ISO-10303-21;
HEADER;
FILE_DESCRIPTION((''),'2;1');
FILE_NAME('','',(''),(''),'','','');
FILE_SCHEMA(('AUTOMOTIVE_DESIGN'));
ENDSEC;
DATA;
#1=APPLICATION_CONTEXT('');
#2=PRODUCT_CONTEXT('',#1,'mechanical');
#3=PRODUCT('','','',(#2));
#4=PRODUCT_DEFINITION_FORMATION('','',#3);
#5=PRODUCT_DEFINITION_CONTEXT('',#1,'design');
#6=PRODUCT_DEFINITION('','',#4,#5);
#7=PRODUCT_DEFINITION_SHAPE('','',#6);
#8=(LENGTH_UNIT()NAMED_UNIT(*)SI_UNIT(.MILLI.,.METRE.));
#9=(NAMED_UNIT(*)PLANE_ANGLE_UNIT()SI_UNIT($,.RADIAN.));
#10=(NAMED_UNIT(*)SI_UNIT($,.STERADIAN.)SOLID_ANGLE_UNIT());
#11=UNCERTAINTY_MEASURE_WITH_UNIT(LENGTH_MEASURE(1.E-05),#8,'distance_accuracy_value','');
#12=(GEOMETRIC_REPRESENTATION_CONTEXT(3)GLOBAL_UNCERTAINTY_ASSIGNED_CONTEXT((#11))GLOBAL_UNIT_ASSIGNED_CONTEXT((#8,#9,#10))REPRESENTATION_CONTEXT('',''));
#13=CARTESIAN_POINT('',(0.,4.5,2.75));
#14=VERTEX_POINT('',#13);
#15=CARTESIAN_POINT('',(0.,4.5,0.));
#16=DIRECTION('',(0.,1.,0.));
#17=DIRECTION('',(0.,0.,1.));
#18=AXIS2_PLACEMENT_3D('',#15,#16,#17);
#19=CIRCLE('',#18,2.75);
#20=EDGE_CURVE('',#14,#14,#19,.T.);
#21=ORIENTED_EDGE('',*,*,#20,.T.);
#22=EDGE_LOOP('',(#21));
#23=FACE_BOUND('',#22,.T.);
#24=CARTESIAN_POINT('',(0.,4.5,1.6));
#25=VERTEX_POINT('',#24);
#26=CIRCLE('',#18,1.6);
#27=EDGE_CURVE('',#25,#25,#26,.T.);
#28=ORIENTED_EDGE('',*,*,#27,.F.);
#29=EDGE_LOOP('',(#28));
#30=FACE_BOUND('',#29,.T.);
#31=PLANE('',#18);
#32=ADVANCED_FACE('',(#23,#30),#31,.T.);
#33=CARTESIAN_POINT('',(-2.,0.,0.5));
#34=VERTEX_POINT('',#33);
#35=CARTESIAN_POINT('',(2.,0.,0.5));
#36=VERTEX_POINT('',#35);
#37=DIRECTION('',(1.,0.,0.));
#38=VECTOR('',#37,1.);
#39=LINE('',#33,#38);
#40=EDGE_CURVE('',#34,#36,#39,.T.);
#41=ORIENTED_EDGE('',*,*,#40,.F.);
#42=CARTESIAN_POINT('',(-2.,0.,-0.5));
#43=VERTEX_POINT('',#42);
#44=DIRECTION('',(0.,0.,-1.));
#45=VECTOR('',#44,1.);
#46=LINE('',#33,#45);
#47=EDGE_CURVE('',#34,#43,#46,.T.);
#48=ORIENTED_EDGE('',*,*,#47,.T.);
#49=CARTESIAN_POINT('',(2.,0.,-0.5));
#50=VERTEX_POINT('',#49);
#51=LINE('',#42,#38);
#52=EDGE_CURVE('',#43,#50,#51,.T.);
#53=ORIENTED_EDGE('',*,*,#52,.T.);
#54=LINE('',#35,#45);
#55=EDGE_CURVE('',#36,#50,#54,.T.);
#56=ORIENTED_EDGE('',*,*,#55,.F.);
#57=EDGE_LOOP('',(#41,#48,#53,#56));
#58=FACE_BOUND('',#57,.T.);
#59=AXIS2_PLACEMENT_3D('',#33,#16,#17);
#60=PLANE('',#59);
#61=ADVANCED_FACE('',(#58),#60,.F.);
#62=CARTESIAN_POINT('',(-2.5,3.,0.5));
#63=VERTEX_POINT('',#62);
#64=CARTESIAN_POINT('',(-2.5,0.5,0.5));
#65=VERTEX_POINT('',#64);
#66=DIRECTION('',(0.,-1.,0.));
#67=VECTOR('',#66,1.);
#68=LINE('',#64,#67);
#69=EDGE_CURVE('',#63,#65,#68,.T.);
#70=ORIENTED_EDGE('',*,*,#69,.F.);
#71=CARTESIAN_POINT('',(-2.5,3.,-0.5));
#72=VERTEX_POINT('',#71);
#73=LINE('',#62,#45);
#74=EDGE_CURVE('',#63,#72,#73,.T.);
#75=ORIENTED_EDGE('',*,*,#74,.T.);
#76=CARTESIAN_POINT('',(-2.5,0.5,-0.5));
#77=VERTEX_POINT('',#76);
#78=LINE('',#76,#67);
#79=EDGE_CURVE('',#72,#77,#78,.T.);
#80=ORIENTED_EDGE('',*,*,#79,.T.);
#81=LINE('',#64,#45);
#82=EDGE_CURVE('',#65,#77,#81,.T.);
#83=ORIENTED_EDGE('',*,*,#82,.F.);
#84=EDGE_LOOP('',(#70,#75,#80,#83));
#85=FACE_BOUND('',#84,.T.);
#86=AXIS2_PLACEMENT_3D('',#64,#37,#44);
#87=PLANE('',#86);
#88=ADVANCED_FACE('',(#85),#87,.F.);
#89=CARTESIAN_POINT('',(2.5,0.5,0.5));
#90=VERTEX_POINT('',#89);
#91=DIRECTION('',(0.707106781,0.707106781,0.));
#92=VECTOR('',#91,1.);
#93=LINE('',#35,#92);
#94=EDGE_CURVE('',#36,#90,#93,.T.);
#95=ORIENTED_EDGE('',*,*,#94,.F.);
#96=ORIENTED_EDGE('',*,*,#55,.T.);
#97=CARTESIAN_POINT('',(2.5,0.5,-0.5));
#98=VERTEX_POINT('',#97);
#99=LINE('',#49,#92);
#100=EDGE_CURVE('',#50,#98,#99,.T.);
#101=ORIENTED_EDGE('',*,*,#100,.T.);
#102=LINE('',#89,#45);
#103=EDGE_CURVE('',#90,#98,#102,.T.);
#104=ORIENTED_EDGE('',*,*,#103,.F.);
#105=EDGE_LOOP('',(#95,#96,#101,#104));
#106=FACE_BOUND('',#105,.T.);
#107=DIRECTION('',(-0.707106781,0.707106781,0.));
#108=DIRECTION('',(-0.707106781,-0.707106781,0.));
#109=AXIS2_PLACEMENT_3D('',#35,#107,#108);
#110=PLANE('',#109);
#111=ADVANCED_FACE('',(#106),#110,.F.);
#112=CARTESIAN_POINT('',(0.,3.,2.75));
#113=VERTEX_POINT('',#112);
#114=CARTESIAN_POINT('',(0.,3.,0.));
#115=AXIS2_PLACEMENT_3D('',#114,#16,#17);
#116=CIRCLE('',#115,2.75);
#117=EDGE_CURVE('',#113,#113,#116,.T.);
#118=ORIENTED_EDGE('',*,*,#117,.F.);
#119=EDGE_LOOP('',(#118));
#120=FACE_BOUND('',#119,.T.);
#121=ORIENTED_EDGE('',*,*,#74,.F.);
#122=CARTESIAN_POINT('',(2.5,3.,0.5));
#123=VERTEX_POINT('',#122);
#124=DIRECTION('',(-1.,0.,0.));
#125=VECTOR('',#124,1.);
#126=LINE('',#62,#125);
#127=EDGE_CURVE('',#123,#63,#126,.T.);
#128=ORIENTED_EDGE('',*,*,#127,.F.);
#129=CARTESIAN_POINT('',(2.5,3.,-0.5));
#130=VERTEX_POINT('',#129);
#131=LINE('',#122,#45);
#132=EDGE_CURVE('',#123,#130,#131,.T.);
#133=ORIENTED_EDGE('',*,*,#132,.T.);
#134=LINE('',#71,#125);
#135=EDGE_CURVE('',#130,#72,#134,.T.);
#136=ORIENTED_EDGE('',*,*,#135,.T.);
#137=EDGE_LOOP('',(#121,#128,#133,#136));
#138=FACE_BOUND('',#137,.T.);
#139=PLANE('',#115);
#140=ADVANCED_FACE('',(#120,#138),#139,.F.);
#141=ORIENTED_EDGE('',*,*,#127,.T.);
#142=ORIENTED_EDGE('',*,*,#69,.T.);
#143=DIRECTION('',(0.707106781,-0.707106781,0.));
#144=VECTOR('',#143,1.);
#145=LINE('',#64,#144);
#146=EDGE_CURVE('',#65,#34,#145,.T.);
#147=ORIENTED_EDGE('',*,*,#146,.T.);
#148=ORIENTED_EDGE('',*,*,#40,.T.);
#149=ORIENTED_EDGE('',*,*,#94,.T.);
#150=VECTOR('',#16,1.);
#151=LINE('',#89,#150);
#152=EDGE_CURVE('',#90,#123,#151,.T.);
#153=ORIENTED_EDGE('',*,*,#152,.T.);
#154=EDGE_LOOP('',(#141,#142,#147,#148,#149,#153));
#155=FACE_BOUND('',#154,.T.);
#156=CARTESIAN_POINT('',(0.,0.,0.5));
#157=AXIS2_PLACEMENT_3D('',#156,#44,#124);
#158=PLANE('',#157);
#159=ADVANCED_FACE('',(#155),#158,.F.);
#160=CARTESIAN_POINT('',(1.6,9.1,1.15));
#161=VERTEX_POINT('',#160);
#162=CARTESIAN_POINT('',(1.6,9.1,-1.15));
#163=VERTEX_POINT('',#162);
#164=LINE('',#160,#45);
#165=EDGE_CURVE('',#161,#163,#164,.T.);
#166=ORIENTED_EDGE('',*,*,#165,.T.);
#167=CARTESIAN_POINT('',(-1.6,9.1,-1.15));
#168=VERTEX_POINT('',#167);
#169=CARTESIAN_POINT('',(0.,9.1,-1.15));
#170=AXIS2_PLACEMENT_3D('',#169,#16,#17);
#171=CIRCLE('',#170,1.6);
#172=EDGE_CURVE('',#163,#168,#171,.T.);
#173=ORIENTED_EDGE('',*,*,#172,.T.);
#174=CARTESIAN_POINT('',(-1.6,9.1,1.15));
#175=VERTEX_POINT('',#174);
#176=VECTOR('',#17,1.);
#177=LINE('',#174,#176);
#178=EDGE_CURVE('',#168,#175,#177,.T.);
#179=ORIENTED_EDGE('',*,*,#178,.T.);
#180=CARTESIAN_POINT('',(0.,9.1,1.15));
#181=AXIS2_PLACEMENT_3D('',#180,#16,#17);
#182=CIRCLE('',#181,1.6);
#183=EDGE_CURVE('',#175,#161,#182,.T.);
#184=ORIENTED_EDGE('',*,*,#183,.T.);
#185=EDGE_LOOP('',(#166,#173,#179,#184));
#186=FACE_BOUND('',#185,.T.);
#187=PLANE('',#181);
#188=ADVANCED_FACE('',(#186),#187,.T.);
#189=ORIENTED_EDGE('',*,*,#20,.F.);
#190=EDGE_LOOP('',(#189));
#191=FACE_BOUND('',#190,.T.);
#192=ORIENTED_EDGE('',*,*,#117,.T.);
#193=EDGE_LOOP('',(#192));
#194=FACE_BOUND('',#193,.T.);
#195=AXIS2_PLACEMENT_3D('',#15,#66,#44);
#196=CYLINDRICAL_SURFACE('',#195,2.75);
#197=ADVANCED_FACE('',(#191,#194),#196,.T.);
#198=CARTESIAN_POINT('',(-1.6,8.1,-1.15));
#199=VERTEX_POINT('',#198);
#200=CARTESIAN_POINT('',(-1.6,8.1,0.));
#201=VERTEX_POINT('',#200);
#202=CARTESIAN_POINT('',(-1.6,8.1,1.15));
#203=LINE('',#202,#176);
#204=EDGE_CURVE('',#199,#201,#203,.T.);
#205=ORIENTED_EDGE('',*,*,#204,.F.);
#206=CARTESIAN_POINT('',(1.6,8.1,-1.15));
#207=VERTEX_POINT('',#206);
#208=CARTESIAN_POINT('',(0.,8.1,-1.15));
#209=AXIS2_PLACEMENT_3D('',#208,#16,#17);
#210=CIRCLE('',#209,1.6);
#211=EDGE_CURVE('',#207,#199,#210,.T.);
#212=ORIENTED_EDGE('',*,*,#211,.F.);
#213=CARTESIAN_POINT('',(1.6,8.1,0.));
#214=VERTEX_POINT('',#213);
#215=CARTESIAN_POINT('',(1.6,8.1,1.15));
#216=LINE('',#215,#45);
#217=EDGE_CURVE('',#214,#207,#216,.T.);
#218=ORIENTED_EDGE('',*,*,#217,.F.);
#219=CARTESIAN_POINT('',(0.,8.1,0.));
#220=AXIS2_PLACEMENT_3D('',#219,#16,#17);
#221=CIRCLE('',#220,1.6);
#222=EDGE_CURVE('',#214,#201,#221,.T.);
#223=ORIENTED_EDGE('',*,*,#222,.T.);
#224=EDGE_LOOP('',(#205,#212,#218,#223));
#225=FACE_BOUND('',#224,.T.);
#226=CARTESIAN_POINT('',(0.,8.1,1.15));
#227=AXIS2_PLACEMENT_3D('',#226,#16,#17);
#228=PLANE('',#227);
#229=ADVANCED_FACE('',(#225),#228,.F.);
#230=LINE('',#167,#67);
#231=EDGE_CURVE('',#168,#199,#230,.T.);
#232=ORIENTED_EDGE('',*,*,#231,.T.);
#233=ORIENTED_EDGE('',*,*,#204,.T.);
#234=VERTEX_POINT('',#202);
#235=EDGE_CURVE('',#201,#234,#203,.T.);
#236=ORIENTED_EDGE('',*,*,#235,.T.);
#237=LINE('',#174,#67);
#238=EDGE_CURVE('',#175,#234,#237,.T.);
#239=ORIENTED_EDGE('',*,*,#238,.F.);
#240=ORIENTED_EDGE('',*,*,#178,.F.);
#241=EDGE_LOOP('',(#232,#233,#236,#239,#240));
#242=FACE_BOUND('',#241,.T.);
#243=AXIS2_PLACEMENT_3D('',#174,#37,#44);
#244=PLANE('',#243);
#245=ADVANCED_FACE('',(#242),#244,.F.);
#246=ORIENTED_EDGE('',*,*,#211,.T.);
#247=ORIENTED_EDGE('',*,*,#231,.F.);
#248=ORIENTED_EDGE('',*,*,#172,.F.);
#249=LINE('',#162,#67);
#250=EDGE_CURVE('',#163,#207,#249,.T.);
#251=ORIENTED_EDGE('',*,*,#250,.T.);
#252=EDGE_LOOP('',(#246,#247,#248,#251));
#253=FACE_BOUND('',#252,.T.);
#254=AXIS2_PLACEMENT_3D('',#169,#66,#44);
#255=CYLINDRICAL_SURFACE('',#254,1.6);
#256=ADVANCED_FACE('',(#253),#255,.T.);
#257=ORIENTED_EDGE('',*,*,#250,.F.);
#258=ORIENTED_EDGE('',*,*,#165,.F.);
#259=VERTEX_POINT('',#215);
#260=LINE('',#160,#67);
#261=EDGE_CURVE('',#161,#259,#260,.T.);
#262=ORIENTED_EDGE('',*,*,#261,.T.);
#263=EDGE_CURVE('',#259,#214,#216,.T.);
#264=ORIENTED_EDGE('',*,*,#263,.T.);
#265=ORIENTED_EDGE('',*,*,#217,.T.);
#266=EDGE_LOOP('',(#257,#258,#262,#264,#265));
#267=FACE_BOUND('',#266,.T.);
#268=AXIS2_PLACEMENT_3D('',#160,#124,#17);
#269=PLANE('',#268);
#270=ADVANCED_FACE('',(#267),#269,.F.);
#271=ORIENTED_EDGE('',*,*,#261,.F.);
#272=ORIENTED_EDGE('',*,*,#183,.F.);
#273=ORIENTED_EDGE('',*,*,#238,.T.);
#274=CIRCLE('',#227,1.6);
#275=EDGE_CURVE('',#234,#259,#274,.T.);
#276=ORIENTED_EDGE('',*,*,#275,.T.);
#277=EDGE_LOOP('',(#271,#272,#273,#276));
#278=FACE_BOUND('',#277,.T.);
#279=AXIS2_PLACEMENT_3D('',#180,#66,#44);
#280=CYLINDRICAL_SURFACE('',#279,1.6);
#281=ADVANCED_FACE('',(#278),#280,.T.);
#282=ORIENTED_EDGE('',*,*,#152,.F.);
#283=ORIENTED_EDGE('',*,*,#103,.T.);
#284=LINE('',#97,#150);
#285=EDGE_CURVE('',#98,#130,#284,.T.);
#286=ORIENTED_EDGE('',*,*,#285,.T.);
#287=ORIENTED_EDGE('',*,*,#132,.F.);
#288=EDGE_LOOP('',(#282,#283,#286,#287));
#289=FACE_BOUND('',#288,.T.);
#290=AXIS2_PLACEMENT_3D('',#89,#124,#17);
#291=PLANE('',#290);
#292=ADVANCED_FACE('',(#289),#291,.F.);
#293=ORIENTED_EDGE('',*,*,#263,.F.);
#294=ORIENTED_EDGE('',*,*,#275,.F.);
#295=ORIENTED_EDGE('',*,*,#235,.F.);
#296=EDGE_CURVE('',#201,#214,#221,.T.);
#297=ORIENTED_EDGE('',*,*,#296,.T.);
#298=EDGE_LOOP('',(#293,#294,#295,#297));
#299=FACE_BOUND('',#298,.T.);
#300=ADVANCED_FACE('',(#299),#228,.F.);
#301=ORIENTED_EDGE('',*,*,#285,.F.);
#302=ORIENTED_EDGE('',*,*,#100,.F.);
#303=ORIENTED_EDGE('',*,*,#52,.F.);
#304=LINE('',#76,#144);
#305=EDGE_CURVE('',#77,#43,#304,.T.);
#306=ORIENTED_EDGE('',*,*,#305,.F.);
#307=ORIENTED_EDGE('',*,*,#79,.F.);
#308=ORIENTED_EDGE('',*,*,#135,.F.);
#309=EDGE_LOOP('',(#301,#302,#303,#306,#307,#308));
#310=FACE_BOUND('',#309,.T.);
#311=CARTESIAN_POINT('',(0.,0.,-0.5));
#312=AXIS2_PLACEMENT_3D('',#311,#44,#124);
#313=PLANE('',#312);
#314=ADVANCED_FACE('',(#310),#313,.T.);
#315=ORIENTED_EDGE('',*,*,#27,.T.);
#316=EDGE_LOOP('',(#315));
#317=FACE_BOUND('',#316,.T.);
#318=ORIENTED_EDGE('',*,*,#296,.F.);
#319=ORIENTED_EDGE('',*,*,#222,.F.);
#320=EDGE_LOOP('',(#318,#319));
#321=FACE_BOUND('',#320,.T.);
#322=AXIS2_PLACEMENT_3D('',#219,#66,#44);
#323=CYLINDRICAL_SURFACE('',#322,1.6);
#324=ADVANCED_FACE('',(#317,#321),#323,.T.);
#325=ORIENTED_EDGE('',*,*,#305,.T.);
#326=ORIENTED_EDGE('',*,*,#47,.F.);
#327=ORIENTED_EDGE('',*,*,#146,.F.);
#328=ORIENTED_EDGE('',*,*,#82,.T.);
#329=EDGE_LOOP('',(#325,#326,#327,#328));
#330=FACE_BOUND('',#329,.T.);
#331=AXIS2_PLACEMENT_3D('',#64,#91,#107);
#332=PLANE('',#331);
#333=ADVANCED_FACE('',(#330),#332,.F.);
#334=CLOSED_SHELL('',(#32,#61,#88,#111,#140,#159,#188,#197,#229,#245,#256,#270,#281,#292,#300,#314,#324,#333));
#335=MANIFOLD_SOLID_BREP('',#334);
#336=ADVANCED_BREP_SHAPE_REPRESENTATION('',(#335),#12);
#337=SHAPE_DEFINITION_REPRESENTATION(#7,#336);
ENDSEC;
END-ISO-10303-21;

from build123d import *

# Parameters (mm, degrees)
EXTRUDE_1_DEPTH = 0.5
SKETCH_3_R      = 2.75
EXTRUDE_2_DEPTH = 1.5
SKETCH_5_R      = 1.6
EXTRUDE_3_DEPTH = 3.6
EXTRUDE_4_DEPTH = 1


with BuildPart() as part:
    # ｽｹｯﾁ2 → ﾎﾞｽ - 押し出し1 (new, symmetric)
    with BuildSketch(Plane.XY):
        Polygon((-2, 0), (2, 0), (2.5, 0.5), (2.5, 3), (-2.5, 3), (-2.5, 0.5), align=None)
    extrude(amount=EXTRUDE_1_DEPTH, both=True)

    # ｽｹｯﾁ3 → ﾎﾞｽ - 押し出し2 (add)
    with BuildSketch(Plane(origin=(0, 3, 0), x_dir=(1, 0, 0), z_dir=(0, 1, 0))):
        with Locations(Location((0, 0, 0), (0, 0, 270))):
            Circle(SKETCH_3_R)
    extrude(amount=EXTRUDE_2_DEPTH)

    # ｽｹｯﾁ5 → ﾎﾞｽ - 押し出し3 (add)
    with BuildSketch(Plane(origin=(0, 4.5, 0), x_dir=(1, 0, 0), z_dir=(0, 1, 0))):
        with Locations(Location((0, 0, 0), (0, 0, 270))):
            Circle(SKETCH_5_R)
    extrude(amount=EXTRUDE_3_DEPTH)

    # ｽｹｯﾁ6 → ﾎﾞｽ - 押し出し4 (add)
    with BuildSketch(Plane(origin=(0, 8.1, 0), x_dir=(1, 0, 0), z_dir=(0, 1, 0))):
        with BuildLine():
            Line((-1.6, -1.15), (-1.6, 1.15))
            ThreePointArc((-1.6, 1.15), (0, 2.75), (1.6, 1.15))
            Line((1.6, 1.15), (1.6, -1.15))
            ThreePointArc((1.6, -1.15), (0, -2.75), (-1.6, -1.15))
        make_face()
    extrude(amount=EXTRUDE_4_DEPTH)


solid = part.part
